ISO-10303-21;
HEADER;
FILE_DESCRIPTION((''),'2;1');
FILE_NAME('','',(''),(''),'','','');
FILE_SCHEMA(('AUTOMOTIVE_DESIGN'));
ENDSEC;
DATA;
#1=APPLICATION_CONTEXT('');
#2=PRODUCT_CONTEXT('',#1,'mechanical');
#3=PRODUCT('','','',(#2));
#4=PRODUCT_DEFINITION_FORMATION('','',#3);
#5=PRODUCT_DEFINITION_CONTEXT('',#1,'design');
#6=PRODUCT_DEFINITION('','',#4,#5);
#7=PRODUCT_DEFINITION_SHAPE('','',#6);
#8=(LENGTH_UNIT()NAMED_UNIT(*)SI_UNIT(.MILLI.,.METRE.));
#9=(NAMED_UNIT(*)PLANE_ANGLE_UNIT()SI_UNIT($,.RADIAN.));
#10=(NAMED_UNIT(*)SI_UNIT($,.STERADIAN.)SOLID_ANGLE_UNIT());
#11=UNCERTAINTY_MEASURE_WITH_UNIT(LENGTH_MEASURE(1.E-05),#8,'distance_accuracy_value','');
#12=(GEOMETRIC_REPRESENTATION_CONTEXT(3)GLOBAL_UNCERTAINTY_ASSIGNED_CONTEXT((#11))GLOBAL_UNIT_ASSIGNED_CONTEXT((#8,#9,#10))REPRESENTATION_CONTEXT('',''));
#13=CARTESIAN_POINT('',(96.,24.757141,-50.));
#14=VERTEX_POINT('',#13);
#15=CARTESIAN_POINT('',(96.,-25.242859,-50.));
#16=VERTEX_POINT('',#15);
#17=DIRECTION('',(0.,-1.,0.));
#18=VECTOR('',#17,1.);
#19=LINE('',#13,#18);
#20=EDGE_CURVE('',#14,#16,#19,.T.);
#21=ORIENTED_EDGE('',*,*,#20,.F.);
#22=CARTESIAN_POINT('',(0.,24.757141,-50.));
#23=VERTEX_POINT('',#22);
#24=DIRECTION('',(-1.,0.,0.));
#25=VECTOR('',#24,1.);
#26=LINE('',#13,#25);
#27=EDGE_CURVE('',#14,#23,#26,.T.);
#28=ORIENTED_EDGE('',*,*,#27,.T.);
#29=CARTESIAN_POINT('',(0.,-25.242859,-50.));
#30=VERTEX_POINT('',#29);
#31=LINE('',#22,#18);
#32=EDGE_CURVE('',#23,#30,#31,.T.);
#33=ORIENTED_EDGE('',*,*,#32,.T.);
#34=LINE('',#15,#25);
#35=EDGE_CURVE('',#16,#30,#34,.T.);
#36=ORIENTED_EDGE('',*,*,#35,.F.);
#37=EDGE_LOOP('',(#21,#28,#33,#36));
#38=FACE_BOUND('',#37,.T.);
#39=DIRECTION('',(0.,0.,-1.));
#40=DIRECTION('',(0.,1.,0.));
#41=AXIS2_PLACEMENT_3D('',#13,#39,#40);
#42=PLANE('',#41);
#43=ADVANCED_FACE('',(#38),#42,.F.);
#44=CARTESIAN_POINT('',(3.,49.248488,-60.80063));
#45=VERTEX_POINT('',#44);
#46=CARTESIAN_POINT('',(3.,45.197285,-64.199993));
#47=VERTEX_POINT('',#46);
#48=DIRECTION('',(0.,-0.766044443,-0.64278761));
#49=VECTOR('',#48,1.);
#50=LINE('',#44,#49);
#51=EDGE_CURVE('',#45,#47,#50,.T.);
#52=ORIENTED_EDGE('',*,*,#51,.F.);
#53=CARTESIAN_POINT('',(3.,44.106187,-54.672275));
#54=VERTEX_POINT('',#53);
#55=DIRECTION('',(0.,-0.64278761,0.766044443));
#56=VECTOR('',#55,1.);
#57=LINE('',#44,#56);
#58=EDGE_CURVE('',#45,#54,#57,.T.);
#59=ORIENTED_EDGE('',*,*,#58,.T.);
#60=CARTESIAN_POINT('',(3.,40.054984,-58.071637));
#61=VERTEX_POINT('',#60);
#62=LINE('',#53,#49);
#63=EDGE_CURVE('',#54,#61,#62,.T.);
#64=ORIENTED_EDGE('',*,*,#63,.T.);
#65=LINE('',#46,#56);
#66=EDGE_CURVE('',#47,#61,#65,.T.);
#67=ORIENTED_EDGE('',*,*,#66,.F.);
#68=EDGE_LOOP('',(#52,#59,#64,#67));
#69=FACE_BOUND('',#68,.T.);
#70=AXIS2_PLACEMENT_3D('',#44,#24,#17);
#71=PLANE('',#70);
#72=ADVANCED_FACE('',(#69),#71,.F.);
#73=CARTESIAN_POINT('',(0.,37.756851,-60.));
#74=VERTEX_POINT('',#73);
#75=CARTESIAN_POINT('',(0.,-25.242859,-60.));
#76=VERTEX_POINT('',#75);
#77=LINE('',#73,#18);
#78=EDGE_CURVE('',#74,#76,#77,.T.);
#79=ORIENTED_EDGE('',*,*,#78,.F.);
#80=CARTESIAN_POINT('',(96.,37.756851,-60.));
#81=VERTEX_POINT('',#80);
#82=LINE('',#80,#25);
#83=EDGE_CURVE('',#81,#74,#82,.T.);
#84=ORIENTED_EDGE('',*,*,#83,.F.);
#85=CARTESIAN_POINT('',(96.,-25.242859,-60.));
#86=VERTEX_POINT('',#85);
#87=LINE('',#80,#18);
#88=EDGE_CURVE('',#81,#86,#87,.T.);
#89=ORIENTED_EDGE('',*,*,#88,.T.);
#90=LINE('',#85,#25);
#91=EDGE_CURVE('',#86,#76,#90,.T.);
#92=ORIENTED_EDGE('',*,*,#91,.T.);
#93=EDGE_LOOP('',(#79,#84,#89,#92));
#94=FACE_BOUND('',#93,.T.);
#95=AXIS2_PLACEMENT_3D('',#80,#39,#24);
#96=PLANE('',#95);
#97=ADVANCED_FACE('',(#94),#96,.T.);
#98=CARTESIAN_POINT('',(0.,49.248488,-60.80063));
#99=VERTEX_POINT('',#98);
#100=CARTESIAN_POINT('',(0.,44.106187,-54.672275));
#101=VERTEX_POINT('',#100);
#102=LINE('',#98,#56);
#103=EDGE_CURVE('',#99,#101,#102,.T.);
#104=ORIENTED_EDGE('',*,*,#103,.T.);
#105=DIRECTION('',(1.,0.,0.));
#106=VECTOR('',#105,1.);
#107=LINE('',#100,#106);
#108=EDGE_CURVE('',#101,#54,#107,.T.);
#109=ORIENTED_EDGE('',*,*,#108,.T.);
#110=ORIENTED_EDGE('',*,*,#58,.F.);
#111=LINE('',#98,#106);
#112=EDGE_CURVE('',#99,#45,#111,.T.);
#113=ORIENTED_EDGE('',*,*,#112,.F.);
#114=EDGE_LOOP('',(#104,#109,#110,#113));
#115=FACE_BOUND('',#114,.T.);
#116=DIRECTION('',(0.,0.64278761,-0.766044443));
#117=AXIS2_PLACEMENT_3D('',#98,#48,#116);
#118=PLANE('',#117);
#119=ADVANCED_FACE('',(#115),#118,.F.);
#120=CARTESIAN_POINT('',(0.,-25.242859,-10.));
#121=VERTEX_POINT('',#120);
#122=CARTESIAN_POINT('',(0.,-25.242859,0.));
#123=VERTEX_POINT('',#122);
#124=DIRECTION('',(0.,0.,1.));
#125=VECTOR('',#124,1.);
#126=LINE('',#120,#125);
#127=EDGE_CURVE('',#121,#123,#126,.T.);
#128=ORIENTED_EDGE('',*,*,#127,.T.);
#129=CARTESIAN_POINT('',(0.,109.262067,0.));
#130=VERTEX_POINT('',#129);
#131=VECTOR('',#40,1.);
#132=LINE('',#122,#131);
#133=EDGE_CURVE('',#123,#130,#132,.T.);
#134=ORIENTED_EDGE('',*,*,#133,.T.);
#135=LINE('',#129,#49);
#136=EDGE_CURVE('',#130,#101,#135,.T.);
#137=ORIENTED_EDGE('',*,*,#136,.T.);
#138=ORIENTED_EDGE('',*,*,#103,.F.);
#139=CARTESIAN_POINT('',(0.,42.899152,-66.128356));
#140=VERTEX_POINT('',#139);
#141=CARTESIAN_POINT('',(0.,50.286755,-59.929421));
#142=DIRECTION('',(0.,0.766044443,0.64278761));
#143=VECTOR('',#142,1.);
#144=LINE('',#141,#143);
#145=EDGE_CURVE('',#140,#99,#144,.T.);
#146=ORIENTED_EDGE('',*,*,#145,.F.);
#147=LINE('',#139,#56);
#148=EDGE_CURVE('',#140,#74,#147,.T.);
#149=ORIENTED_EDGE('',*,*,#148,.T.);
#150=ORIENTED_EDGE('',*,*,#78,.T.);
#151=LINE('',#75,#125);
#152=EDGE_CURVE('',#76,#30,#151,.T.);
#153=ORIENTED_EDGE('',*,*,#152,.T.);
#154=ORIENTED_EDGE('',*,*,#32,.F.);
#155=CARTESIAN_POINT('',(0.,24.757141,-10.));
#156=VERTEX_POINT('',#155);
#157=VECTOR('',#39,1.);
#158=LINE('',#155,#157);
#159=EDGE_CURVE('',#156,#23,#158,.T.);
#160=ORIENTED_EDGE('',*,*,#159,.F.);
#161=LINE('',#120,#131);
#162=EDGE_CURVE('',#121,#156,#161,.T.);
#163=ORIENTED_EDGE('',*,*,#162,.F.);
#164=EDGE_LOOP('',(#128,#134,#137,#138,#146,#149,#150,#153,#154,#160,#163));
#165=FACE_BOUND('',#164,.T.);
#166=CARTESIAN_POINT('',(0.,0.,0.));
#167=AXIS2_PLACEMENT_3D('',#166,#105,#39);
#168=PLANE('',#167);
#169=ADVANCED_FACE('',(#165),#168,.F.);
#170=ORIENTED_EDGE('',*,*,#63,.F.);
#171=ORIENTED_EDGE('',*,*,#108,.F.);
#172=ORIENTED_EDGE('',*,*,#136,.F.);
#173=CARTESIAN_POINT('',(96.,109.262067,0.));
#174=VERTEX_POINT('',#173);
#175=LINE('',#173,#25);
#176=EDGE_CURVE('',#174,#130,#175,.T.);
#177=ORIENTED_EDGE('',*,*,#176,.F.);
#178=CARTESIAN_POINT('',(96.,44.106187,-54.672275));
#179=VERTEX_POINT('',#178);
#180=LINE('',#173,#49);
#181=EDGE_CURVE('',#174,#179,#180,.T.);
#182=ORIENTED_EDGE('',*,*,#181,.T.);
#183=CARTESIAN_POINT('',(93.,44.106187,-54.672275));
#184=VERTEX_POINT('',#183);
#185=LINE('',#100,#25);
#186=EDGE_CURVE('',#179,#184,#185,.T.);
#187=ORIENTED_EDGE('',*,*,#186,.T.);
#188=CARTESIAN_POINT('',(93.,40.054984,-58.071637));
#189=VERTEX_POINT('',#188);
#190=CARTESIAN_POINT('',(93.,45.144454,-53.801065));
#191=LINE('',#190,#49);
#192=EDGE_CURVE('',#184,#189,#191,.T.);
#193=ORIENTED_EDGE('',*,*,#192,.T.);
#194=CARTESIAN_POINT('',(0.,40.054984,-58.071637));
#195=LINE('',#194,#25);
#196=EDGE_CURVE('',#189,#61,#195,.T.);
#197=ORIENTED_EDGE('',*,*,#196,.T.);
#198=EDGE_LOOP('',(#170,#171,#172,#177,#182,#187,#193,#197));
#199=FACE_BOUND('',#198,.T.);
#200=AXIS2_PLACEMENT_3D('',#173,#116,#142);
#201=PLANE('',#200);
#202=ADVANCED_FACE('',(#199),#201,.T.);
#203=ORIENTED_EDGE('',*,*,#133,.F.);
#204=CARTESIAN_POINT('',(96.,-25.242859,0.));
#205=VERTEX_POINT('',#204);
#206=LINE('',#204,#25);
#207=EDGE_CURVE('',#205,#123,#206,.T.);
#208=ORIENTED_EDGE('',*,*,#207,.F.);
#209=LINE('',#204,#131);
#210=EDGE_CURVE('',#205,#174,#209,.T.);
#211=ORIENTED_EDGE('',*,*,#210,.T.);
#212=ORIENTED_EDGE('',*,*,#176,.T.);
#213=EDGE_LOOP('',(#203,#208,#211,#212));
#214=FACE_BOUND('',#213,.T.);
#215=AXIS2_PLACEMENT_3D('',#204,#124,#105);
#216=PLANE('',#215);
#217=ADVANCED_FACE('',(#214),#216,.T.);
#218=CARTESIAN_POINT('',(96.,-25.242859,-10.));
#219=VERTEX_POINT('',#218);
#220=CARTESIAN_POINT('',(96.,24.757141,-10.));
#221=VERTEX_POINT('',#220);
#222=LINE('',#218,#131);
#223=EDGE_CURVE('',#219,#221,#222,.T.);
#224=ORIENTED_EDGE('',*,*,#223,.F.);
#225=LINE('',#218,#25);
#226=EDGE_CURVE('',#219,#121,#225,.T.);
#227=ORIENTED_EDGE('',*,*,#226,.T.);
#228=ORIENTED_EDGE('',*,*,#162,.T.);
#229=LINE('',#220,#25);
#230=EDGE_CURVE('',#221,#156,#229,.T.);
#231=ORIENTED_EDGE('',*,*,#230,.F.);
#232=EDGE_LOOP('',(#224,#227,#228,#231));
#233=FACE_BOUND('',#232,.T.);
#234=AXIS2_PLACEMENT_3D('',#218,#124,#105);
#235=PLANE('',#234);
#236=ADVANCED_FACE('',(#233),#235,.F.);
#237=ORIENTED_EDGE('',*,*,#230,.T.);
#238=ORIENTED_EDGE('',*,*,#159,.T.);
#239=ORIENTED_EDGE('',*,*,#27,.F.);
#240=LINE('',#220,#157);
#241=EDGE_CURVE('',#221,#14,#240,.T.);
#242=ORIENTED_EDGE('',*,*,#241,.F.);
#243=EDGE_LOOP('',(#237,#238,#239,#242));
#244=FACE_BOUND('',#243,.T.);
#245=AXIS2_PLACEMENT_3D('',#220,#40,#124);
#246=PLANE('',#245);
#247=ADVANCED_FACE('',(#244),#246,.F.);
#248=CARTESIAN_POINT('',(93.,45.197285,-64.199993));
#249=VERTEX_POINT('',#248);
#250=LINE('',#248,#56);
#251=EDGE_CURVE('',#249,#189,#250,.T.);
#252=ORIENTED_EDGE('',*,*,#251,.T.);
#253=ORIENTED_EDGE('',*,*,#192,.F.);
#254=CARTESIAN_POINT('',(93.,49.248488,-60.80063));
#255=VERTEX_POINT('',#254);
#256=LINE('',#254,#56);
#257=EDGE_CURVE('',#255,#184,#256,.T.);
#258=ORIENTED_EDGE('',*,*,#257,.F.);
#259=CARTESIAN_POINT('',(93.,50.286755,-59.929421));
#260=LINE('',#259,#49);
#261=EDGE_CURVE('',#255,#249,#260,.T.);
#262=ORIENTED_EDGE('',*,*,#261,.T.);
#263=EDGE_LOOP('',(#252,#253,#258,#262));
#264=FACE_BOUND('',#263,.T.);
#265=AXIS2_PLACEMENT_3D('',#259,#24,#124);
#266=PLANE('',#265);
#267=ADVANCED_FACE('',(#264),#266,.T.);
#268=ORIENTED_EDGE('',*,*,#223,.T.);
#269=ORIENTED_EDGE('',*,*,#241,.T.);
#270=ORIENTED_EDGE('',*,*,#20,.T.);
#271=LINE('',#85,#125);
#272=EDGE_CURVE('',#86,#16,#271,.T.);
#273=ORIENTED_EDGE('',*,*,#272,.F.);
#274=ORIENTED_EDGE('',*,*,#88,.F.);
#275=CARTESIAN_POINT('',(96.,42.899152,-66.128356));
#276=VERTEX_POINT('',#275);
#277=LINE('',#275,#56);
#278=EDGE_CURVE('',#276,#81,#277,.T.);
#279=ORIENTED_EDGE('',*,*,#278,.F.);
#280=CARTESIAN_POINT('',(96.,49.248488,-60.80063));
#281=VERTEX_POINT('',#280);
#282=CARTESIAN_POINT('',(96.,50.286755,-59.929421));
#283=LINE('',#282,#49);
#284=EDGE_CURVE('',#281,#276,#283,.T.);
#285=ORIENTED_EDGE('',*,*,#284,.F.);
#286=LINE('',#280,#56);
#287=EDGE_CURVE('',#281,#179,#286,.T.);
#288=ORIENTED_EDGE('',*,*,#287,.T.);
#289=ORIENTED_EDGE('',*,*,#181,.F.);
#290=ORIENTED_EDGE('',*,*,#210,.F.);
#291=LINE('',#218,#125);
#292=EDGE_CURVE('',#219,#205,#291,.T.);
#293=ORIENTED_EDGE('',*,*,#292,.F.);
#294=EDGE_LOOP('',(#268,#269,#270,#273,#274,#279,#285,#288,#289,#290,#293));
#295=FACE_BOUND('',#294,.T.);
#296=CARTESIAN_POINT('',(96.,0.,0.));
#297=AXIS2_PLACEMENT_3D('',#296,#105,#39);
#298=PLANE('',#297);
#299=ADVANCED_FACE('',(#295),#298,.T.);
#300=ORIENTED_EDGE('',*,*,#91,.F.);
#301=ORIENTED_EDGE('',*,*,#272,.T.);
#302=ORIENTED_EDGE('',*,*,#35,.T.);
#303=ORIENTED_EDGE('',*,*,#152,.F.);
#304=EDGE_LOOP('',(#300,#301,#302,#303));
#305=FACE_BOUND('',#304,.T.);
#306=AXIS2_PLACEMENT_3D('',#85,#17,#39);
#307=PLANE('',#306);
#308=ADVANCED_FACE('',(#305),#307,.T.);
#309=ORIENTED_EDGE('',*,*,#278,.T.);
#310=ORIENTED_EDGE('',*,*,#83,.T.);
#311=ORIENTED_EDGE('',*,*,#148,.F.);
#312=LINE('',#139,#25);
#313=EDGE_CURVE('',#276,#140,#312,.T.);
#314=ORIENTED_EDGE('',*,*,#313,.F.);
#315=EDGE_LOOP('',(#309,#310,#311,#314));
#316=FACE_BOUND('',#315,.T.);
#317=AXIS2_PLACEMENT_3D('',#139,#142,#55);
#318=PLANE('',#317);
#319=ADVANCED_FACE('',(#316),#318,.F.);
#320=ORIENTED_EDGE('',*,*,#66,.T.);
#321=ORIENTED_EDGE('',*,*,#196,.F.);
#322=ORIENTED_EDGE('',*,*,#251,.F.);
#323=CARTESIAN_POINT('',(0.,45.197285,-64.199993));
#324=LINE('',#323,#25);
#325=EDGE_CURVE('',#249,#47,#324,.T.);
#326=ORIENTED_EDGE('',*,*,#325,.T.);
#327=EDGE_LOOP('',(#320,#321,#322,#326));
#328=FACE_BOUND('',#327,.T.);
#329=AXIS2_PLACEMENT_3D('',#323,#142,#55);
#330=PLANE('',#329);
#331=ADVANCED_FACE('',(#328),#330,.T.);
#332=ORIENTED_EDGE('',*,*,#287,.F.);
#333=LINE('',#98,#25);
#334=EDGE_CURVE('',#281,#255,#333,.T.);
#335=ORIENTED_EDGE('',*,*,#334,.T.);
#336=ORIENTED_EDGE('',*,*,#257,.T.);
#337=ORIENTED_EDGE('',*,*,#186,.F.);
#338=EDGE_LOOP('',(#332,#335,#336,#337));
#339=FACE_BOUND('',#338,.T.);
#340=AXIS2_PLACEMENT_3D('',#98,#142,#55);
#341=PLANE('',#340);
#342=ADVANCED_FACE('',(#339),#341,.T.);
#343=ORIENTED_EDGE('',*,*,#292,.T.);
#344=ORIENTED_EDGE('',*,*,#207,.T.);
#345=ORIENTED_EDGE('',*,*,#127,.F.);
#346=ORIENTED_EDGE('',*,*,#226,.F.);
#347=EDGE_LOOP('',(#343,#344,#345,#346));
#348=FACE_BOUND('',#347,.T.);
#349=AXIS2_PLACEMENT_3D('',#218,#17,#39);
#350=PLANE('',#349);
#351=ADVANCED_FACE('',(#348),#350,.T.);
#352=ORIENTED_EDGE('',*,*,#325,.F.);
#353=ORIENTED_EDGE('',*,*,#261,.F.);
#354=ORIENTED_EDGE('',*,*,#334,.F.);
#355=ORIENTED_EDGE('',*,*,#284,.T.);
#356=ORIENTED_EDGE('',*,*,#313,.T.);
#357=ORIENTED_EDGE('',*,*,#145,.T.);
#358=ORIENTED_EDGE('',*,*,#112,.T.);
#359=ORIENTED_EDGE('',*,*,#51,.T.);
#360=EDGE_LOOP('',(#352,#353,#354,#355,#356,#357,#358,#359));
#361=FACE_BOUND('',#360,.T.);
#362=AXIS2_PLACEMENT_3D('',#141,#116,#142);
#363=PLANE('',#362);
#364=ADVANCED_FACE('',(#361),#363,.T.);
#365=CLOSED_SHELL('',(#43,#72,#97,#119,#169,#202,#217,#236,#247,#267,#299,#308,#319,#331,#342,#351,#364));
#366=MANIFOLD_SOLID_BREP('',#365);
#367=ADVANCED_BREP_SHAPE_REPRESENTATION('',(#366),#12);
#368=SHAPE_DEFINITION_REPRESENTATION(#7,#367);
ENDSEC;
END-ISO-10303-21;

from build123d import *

# Parameters (mm, degrees)
EXTRUDE_1_DEPTH = 96
EXTRUDE_2_DEPTH = 8


with BuildPart() as part:
    # Эскиз1 → Бобышка-Вытянуть1 (new body)
    with BuildSketch(Plane(origin=(0, 0, 0), x_dir=(0, 0, -1), z_dir=(1, 0, 0))):
        Polygon((0, 109.262066559), (60, 37.756851003), (60, -25.242859431), (50, -25.242859431), (50, 24.757140569), (10, 24.757140569), (10, -25.242859431), (0, -25.242859431), align=None)
    extrude(amount=EXTRUDE_1_DEPTH)

    # Эскиз3 → Бобышка-Вытянуть2 (add)
    with BuildSketch(Plane(origin=(0, 45.144453906, -53.801065128), x_dir=(-1, 0, 0), z_dir=(0, 0.6427876096865404, -0.7660444431189771))):
        Polygon((-96, -1.355361582), (-96, -9.643830681), (0, -9.643830681), (0, -1.355361582), (-3, -1.355361582), (-3, -6.643830681), (-93, -6.643830681), (-93, -1.355361582), align=None)
    extrude(amount=EXTRUDE_2_DEPTH)


solid = part.part
